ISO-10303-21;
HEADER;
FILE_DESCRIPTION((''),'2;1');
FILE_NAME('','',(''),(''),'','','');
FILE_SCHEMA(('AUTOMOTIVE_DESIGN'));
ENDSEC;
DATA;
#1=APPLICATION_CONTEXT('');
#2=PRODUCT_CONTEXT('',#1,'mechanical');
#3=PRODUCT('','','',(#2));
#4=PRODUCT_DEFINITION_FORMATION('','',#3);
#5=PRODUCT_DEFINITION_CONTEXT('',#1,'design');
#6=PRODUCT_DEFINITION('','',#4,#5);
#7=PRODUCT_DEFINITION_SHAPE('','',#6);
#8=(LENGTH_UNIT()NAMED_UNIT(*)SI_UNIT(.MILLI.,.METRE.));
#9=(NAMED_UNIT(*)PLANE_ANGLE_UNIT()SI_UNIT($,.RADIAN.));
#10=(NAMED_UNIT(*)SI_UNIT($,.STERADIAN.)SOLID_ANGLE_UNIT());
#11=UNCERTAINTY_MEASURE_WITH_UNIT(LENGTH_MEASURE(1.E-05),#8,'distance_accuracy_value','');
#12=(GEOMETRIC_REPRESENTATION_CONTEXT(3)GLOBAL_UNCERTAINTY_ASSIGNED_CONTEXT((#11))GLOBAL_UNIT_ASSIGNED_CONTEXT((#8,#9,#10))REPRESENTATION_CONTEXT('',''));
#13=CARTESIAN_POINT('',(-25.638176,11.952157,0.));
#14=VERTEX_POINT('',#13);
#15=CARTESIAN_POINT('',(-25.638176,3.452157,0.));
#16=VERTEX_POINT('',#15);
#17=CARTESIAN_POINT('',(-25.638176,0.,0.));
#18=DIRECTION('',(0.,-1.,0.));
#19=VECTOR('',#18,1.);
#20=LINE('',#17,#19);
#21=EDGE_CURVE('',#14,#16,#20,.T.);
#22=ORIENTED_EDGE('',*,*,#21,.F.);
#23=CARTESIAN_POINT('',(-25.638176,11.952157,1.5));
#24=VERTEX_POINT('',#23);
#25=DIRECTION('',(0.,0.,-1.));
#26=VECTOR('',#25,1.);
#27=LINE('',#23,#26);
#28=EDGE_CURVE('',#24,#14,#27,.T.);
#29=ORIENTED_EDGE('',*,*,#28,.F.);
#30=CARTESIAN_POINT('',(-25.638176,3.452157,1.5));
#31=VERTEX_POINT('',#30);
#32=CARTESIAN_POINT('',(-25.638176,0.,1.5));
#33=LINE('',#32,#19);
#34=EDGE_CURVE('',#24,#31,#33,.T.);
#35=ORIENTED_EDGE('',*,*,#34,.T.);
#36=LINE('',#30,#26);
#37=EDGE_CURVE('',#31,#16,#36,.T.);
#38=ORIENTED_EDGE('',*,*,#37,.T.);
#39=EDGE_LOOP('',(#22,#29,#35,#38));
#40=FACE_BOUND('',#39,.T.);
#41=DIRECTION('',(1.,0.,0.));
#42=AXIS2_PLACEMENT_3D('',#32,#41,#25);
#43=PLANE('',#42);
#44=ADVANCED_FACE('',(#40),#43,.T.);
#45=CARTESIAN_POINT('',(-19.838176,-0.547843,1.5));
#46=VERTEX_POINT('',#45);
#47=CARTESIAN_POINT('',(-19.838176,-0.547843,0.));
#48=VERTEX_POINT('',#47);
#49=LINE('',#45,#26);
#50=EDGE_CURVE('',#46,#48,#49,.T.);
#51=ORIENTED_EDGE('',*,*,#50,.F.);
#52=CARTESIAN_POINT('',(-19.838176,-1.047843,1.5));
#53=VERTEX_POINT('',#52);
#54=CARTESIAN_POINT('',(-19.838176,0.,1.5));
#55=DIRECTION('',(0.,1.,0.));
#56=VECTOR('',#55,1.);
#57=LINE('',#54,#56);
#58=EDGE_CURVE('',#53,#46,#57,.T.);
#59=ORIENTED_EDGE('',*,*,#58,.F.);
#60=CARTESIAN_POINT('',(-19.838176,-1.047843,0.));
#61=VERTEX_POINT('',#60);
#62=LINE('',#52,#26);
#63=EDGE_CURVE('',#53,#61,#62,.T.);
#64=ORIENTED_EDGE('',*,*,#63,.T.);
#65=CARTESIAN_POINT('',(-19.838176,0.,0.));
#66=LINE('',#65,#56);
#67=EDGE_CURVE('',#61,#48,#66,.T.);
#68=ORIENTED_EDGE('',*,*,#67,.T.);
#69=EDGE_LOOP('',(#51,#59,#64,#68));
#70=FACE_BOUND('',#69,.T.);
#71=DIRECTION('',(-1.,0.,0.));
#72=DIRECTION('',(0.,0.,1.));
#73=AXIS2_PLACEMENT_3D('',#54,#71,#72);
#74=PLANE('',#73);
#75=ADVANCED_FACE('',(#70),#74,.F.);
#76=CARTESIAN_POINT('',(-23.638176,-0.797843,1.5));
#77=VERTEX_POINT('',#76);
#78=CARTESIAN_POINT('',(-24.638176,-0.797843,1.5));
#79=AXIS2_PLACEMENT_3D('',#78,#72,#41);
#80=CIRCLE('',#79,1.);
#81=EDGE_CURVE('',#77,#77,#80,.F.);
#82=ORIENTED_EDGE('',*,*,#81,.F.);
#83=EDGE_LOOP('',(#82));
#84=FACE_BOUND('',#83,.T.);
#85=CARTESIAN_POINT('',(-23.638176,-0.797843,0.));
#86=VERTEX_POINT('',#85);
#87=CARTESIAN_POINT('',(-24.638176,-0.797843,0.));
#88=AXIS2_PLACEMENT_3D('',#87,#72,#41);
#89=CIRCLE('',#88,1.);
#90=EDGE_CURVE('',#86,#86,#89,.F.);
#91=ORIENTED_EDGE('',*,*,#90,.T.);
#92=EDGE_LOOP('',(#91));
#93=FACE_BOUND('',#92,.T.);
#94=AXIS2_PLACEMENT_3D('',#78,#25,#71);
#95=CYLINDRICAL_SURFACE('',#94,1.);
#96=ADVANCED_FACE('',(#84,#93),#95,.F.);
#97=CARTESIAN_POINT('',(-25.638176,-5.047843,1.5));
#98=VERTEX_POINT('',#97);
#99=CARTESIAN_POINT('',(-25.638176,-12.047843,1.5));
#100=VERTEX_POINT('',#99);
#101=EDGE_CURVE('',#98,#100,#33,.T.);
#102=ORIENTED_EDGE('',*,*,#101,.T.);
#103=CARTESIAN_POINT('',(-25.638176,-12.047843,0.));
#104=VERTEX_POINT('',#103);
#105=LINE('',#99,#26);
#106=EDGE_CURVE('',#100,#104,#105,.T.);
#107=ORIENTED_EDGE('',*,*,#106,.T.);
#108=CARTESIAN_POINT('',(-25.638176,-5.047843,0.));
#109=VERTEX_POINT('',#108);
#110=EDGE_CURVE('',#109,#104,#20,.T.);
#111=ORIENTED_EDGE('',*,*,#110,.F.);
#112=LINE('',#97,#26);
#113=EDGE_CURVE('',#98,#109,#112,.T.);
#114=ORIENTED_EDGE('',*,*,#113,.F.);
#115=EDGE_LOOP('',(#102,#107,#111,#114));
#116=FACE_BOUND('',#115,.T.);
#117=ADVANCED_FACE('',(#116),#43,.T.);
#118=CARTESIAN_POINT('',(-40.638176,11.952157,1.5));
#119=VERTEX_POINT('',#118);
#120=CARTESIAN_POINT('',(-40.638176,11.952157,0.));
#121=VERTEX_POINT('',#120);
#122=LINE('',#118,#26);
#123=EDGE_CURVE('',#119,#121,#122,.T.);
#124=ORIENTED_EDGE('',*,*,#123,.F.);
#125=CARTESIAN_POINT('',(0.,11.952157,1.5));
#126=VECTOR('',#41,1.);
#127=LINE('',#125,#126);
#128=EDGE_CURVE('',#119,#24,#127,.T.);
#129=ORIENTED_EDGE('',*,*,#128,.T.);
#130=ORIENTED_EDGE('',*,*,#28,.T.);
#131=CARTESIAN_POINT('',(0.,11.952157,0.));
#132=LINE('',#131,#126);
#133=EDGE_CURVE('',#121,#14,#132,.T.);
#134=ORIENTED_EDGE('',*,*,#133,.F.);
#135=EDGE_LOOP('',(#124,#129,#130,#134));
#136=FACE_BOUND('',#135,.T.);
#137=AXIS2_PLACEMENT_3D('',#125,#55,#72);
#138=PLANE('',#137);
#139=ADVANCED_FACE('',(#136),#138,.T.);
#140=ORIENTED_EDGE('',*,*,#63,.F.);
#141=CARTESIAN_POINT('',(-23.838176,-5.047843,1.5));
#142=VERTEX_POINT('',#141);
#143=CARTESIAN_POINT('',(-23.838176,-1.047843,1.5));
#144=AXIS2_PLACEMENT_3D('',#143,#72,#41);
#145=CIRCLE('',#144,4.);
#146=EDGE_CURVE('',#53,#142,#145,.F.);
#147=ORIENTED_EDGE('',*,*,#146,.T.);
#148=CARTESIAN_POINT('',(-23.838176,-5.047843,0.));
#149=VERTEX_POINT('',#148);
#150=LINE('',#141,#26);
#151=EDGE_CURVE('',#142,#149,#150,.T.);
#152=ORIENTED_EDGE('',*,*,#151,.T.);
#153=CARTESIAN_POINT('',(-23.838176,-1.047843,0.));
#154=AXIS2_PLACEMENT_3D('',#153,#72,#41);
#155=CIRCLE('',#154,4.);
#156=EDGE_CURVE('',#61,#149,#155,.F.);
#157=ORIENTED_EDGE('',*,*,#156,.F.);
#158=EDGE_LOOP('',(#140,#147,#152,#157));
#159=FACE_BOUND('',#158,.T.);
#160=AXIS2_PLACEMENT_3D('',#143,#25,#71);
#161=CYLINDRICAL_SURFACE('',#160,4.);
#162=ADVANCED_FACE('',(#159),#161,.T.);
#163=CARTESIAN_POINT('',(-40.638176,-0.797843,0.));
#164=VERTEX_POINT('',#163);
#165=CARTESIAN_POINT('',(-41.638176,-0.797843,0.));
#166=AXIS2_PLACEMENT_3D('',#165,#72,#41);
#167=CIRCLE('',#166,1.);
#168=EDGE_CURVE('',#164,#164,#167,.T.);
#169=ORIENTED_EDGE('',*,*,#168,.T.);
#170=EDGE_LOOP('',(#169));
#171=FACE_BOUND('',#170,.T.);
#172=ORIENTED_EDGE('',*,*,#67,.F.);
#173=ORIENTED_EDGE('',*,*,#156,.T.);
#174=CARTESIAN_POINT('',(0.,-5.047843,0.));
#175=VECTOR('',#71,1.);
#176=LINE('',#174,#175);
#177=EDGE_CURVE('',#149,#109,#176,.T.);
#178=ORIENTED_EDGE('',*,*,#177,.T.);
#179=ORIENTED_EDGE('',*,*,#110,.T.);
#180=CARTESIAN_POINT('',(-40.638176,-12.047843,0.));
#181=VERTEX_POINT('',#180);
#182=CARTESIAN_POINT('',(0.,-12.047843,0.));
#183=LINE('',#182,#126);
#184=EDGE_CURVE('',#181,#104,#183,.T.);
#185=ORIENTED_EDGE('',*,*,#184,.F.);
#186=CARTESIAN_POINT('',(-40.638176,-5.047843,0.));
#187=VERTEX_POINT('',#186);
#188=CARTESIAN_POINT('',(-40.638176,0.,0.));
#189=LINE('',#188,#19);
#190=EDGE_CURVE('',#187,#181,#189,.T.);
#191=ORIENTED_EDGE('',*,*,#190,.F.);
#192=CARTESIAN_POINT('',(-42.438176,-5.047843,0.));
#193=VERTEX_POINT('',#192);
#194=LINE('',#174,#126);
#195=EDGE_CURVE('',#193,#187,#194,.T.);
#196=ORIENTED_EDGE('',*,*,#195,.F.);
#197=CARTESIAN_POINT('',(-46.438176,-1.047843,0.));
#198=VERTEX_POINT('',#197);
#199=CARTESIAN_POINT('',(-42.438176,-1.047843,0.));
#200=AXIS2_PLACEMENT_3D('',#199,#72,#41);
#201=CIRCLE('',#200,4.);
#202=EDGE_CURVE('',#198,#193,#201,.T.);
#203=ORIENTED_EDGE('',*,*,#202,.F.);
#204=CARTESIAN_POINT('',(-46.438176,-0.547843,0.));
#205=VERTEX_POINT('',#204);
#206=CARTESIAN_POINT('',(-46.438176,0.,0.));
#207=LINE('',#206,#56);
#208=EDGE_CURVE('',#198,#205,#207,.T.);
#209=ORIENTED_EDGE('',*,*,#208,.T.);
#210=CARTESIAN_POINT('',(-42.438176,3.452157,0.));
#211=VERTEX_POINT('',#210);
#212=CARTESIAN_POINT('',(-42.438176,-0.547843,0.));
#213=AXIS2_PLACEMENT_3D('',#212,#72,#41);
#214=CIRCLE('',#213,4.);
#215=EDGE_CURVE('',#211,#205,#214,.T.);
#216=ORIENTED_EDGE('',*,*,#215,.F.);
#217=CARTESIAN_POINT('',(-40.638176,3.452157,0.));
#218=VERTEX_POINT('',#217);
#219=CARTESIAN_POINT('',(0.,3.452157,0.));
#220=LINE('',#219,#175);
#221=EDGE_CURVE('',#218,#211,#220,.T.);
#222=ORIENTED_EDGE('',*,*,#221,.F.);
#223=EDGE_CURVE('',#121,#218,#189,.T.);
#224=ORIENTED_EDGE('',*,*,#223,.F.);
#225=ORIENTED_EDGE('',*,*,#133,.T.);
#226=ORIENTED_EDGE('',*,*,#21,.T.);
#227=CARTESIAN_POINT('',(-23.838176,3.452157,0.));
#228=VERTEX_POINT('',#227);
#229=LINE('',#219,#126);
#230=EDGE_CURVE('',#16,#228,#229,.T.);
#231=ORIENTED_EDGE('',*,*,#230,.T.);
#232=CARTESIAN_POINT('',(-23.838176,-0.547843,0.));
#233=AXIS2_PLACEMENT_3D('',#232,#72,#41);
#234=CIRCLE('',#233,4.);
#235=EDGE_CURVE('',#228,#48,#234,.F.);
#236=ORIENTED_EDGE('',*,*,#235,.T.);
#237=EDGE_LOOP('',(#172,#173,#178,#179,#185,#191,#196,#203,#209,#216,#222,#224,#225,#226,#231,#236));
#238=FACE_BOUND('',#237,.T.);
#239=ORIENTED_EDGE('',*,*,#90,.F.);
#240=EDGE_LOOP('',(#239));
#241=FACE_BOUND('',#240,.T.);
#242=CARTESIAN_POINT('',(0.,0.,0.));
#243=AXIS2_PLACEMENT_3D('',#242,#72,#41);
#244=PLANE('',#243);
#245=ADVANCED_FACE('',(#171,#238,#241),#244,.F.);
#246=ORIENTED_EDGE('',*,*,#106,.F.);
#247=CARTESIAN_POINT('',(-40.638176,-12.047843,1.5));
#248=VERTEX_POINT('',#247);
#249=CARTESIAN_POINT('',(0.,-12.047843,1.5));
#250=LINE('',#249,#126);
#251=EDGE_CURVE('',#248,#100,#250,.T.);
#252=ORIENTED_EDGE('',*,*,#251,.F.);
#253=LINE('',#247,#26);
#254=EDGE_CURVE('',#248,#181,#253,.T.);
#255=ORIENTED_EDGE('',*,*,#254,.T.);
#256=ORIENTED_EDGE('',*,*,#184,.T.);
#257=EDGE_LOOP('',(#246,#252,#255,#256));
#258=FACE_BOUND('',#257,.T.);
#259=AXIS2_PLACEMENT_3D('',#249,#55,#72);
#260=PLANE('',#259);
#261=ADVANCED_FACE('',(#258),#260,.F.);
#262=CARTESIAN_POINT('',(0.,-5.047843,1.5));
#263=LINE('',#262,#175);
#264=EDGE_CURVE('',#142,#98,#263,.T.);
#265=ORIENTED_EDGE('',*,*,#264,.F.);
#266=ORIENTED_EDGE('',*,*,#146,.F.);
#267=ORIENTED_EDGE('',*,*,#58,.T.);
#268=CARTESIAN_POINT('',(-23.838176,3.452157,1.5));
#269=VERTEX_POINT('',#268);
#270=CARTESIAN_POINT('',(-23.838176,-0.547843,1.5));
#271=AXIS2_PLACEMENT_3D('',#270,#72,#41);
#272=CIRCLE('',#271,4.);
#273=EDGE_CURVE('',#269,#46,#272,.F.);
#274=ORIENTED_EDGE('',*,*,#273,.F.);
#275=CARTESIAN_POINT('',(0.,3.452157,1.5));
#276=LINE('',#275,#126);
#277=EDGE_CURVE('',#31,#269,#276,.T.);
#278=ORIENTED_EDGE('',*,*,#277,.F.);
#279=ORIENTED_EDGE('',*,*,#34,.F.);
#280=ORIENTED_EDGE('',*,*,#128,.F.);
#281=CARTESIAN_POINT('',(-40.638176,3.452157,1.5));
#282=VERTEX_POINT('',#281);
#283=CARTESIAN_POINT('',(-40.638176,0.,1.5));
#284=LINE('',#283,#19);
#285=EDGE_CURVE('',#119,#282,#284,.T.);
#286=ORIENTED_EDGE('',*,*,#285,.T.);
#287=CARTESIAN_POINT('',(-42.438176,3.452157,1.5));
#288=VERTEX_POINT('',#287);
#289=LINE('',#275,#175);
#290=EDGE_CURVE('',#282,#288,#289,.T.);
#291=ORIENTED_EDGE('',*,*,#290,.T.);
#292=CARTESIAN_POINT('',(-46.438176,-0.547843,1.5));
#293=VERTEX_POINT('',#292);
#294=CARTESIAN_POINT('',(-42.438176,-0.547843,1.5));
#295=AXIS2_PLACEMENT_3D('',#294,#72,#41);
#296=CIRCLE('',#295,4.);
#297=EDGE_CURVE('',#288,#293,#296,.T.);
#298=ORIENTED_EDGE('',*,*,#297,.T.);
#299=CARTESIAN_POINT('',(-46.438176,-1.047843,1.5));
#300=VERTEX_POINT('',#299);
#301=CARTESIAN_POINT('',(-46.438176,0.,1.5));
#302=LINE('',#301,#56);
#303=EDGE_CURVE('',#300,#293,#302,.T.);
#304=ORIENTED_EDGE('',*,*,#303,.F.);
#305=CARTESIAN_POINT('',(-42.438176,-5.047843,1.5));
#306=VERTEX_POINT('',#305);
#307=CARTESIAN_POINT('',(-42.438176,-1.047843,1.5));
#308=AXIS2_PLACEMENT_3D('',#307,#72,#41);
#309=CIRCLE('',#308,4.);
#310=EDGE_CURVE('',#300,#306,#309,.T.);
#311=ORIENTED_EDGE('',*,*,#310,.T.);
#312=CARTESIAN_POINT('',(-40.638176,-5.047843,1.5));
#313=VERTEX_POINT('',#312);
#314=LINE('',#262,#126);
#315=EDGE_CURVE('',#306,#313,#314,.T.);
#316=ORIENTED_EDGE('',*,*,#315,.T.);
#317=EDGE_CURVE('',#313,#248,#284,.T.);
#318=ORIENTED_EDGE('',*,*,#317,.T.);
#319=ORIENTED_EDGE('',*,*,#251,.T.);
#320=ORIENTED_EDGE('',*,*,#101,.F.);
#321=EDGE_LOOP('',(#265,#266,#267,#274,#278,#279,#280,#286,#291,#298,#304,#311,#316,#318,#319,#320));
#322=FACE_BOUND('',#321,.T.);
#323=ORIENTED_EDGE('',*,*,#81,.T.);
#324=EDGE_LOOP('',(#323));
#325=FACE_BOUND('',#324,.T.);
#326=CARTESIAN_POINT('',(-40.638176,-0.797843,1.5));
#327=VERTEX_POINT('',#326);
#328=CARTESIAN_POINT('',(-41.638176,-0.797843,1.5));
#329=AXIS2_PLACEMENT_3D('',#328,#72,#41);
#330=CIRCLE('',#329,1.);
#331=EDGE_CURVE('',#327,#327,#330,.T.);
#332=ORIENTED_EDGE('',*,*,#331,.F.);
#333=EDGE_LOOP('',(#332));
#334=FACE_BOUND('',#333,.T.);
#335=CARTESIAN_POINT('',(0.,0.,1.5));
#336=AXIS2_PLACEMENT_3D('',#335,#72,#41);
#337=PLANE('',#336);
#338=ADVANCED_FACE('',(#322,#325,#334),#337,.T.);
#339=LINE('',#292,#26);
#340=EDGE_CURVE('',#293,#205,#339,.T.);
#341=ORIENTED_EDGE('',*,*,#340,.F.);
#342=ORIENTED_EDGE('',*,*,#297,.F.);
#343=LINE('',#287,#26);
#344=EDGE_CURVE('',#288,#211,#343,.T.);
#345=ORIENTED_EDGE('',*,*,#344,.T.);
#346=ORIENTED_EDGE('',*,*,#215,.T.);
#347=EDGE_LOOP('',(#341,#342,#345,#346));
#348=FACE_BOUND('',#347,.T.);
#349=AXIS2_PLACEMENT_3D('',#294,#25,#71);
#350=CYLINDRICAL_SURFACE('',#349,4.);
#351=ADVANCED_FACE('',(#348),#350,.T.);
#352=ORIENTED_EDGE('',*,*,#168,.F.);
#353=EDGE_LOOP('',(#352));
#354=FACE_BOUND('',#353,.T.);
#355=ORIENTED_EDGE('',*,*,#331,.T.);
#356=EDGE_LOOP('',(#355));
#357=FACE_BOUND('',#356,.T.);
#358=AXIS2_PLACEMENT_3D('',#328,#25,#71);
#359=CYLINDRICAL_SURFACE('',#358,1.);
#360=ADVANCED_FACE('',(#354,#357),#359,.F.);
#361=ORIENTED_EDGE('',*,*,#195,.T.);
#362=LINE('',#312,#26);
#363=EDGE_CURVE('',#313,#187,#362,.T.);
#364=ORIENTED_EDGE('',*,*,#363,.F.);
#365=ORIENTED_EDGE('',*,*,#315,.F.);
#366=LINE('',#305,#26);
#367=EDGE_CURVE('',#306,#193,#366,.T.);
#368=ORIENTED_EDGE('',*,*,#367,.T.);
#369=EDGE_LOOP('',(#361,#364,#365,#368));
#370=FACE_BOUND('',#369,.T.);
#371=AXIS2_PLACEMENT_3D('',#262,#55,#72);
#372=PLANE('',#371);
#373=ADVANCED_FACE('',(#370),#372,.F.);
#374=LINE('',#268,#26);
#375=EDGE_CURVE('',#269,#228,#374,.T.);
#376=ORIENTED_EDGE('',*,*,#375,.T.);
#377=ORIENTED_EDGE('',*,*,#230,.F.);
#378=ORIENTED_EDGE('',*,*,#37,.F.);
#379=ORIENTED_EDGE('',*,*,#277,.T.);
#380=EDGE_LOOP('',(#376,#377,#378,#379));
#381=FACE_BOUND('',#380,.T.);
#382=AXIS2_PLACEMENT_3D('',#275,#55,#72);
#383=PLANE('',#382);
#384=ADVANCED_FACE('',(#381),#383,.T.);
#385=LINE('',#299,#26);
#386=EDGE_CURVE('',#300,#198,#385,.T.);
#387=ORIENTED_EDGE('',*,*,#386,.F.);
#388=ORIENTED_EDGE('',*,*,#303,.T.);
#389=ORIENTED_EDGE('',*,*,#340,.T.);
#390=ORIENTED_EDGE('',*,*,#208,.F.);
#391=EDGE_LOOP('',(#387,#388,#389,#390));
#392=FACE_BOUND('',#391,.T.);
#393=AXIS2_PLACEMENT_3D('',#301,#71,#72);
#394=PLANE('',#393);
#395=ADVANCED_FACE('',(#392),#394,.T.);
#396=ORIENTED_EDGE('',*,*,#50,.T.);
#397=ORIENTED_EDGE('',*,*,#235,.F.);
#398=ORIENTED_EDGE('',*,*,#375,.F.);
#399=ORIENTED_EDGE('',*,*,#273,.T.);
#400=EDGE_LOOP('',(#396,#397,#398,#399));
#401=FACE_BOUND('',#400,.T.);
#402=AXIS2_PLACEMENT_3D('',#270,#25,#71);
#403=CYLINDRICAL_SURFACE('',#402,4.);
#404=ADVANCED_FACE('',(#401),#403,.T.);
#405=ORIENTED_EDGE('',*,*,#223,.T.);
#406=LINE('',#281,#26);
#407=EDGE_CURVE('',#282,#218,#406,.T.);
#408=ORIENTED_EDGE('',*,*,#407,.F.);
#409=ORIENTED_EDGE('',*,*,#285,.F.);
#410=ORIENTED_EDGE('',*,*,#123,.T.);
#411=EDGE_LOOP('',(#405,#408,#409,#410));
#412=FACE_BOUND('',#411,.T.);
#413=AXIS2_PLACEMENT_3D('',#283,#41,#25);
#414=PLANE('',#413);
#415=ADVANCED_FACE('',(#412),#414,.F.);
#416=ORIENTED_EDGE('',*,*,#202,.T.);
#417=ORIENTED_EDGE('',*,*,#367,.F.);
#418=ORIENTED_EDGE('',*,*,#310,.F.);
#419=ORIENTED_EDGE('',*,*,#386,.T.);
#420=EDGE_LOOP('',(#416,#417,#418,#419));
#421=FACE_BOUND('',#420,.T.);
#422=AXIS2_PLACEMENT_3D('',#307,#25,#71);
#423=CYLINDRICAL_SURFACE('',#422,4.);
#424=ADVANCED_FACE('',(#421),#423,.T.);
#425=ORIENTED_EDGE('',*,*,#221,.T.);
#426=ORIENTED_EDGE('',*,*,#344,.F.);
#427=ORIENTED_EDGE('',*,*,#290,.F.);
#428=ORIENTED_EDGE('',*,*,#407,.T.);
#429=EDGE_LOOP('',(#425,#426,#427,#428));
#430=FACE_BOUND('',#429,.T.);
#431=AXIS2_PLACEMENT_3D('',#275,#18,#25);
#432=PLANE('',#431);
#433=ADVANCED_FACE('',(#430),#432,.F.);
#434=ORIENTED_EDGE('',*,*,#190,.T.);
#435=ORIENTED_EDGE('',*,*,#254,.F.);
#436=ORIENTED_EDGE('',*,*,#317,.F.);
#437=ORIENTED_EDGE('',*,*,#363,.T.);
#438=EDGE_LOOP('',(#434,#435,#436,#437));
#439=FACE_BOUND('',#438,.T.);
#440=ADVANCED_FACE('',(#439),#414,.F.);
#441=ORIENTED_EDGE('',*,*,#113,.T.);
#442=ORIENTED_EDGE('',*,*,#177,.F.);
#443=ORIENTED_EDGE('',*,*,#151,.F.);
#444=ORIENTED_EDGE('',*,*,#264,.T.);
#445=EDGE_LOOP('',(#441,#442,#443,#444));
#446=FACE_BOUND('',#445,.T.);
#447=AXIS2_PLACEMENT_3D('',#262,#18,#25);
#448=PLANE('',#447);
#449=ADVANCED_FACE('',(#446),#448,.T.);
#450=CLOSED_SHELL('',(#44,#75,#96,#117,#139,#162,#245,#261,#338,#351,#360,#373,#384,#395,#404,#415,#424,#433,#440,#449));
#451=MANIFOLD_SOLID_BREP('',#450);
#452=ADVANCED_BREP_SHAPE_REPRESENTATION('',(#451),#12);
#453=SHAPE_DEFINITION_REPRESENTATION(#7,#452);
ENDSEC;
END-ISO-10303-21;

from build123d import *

# Parameters (mm, degrees)
ESBO_O2_W                = 28.244172386
ESBO_O2_H                = 13.944205314
RESSALTO_EXTRUS_O1_DEPTH = 2.54
ESBO_O3_R                = 1
RESSALTO_EXTRUS_O2_DEPTH = 1.5
ESBO_O4_W                = 28.244172386
ESBO_O4_H                = 13.944205314
CORTE_EXTRUS_O1_DEPTH    = 2.54


with BuildPart() as part:
    # Esboço2 → Ressalto-extrusão1 (new body)
    with BuildSketch(Plane.XY):
        Rectangle(ESBO_O2_W, ESBO_O2_H)
    extrude(amount=RESSALTO_EXTRUS_O1_DEPTH)

    # Esboço4 → Corte-extrusão1 (cut)
    with BuildSketch(Plane.XY.offset(2.54)):
        Rectangle(ESBO_O4_W, ESBO_O4_H)
    extrude(amount=-CORTE_EXTRUS_O1_DEPTH, mode=Mode.SUBTRACT)


with BuildPart() as body_2:
    # Esboço3 → Ressalto-extrusão2 (new body)
    with BuildSketch(Plane.XY):
        with BuildLine():
            Line((-40.638175932, 11.952156585), (-40.638175932, 3.452156585))
            Line((-40.638175932, 3.452156585), (-42.438175932, 3.452156585))
            ThreePointArc((-42.438175932, 3.452156585), (-45.266603057, 2.28058371), (-46.438175932, -0.547843415))
            Line((-46.438175932, -0.547843415), (-46.438175932, -1.047843415))
            ThreePointArc((-46.438175932, -1.047843415), (-45.266603057, -3.876270539), (-42.438175932, -5.047843415))
            Line((-42.438175932, -5.047843415), (-40.638175932, -5.047843415))
            Line((-40.638175932, -5.047843415), (-40.638175932, -12.047843415))
            Line((-40.638175932, -12.047843415), (-25.638175932, -12.047843415))
            Line((-25.638175932, -12.047843415), (-25.638175932, -5.047843415))
            Line((-25.638175932, -5.047843415), (-23.838175932, -5.047843415))
            ThreePointArc((-23.838175932, -5.047843415), (-21.009748807, -3.876270539), (-19.838175932, -1.047843415))
            Line((-19.838175932, -1.047843415), (-19.838175932, -0.547843415))
            ThreePointArc((-19.838175932, -0.547843415), (-21.009748807, 2.28058371), (-23.838175932, 3.452156585))
            Line((-23.838175932, 3.452156585), (-25.638175932, 3.452156585))
            Line((-25.638175932, 3.452156585), (-25.638175932, 11.952156585))
            Line((-25.638175932, 11.952156585), (-40.638175932, 11.952156585))
        make_face()
        with Locations((-41.638175932, -0.797843415)):
            Circle(ESBO_O3_R, mode=Mode.SUBTRACT)
        with Locations((-24.638175932, -0.797843415)):
            Circle(ESBO_O3_R, mode=Mode.SUBTRACT)
    extrude(amount=RESSALTO_EXTRUS_O2_DEPTH)


solid = body_2.part
